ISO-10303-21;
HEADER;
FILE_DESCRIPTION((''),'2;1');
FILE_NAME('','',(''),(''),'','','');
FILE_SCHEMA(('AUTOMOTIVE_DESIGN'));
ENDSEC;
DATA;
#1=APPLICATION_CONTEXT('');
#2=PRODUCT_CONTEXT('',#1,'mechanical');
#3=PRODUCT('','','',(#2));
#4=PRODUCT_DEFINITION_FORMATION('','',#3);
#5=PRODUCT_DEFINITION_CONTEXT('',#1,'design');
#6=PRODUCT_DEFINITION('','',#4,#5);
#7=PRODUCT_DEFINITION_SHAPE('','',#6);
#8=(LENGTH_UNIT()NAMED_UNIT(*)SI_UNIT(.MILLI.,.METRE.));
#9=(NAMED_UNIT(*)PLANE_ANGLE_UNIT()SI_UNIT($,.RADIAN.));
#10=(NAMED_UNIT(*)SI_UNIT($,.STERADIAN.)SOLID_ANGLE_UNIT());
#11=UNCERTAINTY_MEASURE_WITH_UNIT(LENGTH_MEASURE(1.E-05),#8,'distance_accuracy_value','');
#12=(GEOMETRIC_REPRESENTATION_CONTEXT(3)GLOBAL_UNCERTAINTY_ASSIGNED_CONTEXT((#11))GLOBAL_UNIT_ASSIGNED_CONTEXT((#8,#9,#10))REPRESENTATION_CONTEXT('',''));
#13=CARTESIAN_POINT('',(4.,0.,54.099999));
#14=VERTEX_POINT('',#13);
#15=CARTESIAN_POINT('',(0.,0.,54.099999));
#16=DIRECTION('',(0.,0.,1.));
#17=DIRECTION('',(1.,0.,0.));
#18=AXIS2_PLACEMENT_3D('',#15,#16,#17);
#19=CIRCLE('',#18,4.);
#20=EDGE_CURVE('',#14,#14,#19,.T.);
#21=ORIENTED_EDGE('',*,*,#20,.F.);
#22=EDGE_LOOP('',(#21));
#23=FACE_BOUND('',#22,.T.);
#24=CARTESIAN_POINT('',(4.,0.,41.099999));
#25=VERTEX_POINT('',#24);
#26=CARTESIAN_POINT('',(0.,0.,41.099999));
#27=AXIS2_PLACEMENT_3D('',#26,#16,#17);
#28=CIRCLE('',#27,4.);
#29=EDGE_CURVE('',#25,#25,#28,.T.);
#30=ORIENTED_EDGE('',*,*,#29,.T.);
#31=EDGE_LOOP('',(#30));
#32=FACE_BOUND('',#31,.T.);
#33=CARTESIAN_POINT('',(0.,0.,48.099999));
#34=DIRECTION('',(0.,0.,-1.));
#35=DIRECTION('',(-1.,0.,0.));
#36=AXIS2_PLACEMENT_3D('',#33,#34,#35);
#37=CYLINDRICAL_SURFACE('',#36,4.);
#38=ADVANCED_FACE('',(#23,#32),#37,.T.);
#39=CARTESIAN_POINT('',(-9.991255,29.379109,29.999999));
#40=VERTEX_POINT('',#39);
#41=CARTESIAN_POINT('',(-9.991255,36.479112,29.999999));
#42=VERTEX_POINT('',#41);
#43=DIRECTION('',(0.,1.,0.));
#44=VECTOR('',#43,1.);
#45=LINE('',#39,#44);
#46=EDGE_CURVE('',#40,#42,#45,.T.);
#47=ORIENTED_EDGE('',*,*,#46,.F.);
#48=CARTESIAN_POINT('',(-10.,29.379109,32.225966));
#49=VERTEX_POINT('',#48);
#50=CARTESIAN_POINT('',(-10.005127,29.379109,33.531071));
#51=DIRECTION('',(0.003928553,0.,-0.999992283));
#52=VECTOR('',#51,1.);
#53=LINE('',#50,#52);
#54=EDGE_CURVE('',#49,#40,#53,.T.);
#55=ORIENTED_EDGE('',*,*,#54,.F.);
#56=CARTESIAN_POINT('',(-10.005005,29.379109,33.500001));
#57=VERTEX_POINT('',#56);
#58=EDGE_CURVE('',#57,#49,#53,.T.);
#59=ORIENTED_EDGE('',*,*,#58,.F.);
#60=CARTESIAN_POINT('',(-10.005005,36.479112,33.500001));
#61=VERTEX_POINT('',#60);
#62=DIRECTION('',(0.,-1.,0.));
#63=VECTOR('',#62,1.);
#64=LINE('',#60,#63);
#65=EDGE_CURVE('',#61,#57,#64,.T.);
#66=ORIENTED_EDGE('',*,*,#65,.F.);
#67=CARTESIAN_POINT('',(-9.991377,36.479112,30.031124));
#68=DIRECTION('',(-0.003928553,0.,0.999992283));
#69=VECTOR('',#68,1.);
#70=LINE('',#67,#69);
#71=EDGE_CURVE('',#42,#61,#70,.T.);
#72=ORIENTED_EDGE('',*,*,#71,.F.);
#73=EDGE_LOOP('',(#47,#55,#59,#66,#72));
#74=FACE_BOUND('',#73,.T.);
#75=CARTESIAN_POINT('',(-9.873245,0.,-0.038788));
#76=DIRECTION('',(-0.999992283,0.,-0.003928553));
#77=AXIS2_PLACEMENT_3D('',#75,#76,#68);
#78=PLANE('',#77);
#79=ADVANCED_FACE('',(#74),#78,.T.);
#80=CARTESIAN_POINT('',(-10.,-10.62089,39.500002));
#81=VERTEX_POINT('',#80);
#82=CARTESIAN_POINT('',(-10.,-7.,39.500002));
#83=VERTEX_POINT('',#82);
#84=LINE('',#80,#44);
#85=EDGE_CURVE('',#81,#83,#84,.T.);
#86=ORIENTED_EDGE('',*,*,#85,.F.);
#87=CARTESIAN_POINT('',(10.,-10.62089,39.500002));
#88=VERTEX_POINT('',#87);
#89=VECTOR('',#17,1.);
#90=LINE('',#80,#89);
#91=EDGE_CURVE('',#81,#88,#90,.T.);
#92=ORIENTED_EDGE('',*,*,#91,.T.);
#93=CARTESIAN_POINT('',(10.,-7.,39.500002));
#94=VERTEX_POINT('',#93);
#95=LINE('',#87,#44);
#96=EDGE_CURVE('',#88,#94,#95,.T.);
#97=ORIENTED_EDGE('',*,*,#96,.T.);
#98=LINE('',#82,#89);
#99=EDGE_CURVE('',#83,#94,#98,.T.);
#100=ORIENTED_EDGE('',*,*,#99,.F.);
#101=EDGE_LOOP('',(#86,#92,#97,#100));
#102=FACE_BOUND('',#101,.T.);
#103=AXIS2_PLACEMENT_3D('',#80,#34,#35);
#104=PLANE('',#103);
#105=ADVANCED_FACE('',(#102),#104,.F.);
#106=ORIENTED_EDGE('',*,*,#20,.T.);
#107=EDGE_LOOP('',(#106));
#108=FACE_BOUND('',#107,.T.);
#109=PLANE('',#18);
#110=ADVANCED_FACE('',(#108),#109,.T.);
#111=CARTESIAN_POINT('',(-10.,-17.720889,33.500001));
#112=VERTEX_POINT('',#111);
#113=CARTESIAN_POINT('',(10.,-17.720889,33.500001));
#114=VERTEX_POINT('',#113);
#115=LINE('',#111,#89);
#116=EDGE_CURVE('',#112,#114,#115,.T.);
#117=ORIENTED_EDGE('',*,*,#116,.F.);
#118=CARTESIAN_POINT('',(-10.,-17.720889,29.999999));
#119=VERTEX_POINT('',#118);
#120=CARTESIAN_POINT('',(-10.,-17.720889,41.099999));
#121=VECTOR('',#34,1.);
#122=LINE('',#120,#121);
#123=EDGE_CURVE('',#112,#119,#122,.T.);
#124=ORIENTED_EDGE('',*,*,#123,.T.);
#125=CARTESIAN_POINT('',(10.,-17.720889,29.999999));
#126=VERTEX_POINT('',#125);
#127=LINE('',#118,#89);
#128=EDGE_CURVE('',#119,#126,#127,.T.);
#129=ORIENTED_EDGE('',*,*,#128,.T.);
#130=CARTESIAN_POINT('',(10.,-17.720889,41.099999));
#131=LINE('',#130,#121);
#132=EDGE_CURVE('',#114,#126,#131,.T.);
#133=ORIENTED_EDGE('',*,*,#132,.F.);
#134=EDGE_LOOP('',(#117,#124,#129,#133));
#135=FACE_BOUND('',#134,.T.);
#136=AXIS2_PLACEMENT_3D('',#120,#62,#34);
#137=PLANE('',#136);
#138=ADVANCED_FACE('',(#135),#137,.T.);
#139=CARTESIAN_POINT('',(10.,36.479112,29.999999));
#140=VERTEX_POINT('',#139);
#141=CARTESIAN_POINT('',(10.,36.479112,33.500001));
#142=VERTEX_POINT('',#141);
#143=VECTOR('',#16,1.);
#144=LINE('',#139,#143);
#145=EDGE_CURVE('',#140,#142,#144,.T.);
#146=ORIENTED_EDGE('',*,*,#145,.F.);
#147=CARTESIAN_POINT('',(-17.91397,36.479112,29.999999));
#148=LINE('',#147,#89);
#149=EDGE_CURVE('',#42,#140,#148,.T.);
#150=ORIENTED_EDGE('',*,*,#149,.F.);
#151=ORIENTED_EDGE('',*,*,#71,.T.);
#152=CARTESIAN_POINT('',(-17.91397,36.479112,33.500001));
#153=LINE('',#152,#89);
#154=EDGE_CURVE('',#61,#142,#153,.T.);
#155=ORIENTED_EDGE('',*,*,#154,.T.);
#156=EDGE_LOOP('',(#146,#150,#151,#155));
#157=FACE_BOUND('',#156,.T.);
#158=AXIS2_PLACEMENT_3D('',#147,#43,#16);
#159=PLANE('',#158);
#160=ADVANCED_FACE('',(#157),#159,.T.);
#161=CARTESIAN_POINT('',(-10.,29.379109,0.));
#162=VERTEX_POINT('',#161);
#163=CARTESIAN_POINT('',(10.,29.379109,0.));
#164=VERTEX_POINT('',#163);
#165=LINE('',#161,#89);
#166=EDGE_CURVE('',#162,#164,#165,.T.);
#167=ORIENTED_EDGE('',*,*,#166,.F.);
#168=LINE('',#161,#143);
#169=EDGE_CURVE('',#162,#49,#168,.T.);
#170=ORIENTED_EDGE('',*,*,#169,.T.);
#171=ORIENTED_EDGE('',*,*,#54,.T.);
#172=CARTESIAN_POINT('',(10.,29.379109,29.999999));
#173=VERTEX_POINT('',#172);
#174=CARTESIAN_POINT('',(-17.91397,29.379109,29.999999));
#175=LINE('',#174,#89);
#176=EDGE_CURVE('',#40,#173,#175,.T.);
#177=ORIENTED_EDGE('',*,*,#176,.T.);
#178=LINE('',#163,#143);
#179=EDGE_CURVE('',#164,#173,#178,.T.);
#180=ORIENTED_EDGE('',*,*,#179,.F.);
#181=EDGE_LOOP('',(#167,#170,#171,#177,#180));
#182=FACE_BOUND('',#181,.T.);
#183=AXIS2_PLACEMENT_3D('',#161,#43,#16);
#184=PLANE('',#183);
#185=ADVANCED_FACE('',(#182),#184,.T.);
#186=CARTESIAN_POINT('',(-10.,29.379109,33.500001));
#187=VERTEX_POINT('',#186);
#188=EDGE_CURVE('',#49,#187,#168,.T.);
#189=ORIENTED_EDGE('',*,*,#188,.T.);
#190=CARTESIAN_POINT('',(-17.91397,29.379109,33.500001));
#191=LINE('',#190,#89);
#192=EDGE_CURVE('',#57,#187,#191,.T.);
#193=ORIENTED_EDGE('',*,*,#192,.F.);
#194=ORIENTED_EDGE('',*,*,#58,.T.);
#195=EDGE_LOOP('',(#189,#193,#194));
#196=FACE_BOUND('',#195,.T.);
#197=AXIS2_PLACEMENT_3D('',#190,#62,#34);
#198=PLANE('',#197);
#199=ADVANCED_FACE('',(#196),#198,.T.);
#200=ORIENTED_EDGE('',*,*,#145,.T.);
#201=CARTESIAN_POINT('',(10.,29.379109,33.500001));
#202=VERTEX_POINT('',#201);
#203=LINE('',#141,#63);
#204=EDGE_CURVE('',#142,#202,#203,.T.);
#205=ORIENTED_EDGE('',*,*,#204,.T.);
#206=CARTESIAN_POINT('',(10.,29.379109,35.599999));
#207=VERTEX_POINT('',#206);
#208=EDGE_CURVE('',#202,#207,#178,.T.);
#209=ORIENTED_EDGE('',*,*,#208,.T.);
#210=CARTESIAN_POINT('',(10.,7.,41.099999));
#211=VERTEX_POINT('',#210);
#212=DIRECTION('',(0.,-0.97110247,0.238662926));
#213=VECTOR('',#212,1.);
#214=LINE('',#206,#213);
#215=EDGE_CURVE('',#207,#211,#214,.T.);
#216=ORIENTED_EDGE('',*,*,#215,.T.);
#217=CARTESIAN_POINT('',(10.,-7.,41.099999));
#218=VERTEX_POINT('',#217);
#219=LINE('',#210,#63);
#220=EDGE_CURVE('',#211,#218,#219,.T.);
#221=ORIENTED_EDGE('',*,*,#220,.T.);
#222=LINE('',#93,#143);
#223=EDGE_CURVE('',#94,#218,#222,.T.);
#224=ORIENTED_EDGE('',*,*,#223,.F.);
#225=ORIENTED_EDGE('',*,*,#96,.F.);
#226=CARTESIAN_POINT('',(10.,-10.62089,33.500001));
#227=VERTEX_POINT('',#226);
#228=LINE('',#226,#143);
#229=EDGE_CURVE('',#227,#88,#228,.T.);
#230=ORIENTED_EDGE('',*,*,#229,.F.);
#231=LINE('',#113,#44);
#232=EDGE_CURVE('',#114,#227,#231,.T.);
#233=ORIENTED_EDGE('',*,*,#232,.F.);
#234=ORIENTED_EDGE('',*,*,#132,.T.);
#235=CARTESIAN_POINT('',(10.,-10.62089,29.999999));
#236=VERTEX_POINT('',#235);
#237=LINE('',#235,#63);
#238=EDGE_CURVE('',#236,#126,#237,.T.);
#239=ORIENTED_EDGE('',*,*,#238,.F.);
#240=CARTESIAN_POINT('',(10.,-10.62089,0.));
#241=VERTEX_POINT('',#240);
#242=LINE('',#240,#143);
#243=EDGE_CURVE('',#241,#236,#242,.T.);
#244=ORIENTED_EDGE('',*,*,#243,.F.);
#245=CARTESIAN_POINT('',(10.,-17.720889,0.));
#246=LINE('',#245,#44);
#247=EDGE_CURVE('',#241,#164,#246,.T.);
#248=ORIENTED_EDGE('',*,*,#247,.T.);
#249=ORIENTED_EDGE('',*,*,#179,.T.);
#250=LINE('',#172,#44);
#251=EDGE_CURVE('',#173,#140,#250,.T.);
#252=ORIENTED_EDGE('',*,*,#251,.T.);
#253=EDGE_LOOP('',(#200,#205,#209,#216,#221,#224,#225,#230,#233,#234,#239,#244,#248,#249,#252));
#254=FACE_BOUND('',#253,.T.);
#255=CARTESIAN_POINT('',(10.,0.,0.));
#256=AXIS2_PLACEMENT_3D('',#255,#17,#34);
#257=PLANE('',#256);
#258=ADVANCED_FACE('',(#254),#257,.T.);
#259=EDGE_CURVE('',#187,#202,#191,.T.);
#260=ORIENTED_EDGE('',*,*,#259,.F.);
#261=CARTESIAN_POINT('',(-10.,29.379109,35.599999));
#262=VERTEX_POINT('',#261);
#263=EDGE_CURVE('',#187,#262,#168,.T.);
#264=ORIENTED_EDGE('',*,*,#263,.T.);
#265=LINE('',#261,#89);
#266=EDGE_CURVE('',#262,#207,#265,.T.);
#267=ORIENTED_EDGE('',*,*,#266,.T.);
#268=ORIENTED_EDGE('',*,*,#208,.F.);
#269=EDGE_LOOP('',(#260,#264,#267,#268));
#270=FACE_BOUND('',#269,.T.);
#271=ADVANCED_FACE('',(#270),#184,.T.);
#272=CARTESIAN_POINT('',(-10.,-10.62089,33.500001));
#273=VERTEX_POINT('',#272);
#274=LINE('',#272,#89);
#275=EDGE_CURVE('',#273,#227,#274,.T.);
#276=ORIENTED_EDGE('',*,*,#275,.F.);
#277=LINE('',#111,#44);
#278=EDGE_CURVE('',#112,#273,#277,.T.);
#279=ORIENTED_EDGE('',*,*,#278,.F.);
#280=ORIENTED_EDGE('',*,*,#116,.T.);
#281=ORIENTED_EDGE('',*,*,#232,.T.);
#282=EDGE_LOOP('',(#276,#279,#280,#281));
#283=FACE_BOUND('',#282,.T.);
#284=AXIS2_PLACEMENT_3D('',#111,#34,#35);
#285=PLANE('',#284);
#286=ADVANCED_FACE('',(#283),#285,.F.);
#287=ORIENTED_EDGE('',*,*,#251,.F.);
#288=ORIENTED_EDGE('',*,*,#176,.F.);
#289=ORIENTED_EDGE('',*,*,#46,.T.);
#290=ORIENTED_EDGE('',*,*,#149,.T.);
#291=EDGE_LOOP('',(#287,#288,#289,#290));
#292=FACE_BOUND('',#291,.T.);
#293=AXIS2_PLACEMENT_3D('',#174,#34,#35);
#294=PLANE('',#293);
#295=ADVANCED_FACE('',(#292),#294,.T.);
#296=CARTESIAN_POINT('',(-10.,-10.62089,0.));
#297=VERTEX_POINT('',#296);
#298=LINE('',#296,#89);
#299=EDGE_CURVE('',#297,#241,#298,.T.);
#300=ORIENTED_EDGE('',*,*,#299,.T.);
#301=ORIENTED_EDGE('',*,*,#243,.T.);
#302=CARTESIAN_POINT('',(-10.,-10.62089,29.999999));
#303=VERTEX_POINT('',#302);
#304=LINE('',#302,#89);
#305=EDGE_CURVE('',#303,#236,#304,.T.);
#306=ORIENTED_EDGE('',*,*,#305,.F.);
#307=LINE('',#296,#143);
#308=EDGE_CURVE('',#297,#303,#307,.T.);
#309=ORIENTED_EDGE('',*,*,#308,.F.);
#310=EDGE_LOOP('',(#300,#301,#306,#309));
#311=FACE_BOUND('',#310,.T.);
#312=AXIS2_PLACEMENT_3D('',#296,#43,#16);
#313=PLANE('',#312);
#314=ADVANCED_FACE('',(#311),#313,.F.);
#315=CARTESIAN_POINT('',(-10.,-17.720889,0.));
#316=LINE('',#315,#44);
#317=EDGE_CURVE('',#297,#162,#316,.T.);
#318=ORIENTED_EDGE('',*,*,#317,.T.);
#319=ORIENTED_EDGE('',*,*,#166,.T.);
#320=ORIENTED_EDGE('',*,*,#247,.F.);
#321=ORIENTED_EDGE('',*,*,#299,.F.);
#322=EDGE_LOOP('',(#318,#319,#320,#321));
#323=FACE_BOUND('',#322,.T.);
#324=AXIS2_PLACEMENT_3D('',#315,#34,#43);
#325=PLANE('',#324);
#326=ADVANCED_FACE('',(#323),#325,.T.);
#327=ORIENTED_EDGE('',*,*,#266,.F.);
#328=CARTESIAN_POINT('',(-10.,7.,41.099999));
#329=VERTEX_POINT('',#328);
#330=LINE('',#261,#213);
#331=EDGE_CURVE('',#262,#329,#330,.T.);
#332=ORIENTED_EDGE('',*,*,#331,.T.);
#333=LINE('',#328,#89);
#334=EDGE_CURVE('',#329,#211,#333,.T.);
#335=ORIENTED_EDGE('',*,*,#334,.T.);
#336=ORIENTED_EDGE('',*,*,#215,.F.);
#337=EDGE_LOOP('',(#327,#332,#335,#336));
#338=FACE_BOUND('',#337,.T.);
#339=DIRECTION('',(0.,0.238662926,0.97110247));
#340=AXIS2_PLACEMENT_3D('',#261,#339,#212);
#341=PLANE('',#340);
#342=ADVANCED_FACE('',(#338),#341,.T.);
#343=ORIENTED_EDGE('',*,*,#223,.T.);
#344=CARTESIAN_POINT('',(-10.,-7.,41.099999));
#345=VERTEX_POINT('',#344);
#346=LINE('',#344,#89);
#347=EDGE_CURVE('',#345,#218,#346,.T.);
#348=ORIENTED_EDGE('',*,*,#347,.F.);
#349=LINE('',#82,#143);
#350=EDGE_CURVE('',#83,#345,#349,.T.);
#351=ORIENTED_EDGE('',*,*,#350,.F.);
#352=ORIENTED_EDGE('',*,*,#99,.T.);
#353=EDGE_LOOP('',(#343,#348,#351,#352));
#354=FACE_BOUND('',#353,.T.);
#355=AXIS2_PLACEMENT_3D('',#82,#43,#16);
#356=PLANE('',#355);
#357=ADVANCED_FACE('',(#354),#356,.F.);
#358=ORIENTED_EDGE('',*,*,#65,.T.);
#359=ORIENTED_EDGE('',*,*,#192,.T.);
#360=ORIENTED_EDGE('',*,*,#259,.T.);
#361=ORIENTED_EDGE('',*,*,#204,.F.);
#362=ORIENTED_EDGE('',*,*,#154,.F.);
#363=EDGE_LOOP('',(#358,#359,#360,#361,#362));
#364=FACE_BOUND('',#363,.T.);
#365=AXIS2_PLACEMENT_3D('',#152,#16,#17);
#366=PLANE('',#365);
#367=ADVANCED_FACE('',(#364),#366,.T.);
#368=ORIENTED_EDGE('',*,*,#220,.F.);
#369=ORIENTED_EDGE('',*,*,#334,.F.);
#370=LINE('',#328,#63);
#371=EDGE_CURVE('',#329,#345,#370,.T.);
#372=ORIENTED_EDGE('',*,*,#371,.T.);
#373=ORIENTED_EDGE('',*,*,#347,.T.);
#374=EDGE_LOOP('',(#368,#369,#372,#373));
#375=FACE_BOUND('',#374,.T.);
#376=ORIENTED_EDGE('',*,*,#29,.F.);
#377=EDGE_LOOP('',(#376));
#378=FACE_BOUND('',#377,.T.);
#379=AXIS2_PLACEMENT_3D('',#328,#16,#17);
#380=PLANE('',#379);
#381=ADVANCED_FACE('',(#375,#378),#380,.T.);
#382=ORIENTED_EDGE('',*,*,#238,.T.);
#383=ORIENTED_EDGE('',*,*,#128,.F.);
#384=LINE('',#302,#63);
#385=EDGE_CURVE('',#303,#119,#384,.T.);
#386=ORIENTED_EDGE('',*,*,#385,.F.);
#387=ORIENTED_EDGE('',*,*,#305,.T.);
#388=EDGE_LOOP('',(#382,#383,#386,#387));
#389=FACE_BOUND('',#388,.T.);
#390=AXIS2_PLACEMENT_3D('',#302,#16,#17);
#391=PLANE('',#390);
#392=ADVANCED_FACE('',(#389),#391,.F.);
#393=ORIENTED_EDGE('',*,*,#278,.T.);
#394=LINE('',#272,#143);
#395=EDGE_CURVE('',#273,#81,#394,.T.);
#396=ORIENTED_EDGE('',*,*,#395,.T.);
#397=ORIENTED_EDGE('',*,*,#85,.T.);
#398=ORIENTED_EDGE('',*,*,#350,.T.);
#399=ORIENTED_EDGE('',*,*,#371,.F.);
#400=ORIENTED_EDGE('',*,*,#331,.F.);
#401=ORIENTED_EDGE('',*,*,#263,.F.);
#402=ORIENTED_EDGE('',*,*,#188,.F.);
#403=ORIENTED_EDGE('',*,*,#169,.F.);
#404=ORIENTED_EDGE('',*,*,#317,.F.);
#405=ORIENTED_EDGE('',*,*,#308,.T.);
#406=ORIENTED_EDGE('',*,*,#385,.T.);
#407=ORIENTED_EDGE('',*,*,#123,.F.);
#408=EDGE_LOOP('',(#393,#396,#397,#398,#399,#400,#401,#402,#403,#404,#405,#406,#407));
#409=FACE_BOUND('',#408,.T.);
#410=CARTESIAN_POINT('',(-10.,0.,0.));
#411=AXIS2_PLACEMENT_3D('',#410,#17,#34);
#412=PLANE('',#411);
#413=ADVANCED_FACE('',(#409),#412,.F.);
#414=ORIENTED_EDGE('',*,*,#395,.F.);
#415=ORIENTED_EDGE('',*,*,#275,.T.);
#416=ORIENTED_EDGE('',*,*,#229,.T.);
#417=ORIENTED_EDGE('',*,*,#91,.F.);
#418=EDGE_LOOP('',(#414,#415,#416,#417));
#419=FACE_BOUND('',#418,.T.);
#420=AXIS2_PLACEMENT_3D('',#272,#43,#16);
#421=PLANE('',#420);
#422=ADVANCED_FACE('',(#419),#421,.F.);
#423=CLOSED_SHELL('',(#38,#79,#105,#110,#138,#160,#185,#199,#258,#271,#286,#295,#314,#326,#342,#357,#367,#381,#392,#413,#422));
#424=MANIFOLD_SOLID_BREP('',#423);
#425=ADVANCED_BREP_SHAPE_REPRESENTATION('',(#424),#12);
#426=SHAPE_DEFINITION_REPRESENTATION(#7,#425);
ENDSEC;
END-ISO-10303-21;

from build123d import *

# Parameters (mm, degrees)
BOSS_EXTRUDE1_DEPTH = 19.999999553
SKETCH2_W           = 29.999999329
SKETCH2_H           = 7.099999115
CUT_EXTRUDE1_DEPTH  = 55.335457568
SKETCH3_W           = 7.599998266
SKETCH3_H           = 7.099999115
CUT_EXTRUDE2_DEPTH  = 55.335457568
SKETCH4_W           = 1.599997282
SKETCH4_H           = 3.620889969
CUT_EXTRUDE3_DEPTH  = 55.335457568
BOSS_EXTRUDE2_REACH = 56.335
SKETCH6_W           = 3.500001505
SKETCH6_H           = 7.10000284
SKETCH7_R           = 4
BOSS_EXTRUDE3_DEPTH = 7
MOVE_FACE2_BY       = 6


with BuildPart() as part:
    # Sketch1 → Boss-Extrude1 (new body)
    with BuildSketch(Plane(origin=(10, 0, 0), x_dir=(0, 0, -1), z_dir=(1, 0, 0))):
        Polygon((0, 29.379108921), (-35.59999913, 29.379108921), (-41.0999991, 7.000000216), (-41.0999991, -17.7208893), (0, -17.7208893), align=None)
    extrude(amount=-BOSS_EXTRUDE1_DEPTH)

    # Sketch2 → Cut-Extrude1 (cut, through all)
    with BuildSketch(Plane(origin=(10, 0, 0), x_dir=(0, 0, -1), z_dir=(1, 0, 0))):
        with Locations((-14.999999665, -14.170889742)):
            Rectangle(SKETCH2_W, SKETCH2_H)
    extrude(amount=-CUT_EXTRUDE1_DEPTH, mode=Mode.SUBTRACT)

    # Sketch3 → Cut-Extrude2 (cut, through all)
    with BuildSketch(Plane(origin=(10, 0, 0), x_dir=(0, 0, -1), z_dir=(1, 0, 0))):
        with Locations((-37.299999967, -14.170889742)):
            Rectangle(SKETCH3_W, SKETCH3_H)
    extrude(amount=-CUT_EXTRUDE2_DEPTH, mode=Mode.SUBTRACT)

    # Sketch4 → Cut-Extrude3 (cut, through all)
    with BuildSketch(Plane(origin=(10, 0, 0), x_dir=(0, 0, -1), z_dir=(1, 0, 0))):
        with Locations((-40.300000459, -8.810445201)):
            Rectangle(SKETCH4_W, SKETCH4_H)
    extrude(amount=-CUT_EXTRUDE3_DEPTH, mode=Mode.SUBTRACT)

    # Boss-Extrude2: up to this plane
    boss_extrude2_end = Plane(origin=(-9.873244788, 0, -0.038787862), z_dir=(-0.9999922832070416, 0, -0.003928552706520363))
    # Sketch6 → Boss-Extrude2 (add, up to the surface)
    with BuildSketch(Plane(origin=(10, 0, 0), x_dir=(0, 0, -1), z_dir=(1, 0, 0)), mode=Mode.PRIVATE) as boss_extrude2_sk1:
        with Locations((-31.750000082, 32.929110341)):
            Rectangle(SKETCH6_W, SKETCH6_H)
    boss_extrude2_tool1 = split(extrude(boss_extrude2_sk1.sketch, amount=-BOSS_EXTRUDE2_REACH, mode=Mode.PRIVATE), bisect_by=boss_extrude2_end, keep=Keep.BOTH, mode=Mode.PRIVATE)
    add(boss_extrude2_tool1.solids().sort_by_distance((10, 32.92911, 31.75))[0])

    # Sketch7 → Boss-Extrude3 (add)
    with BuildSketch(Plane.XY.offset(41.0999991)):
        Circle(SKETCH7_R)
    extrude(amount=BOSS_EXTRUDE3_DEPTH)

    # Move Face2: a face moved outward by 6.0
    extrude(part.faces().sort_by_distance((0, 0, 48.0999991))[0], amount=MOVE_FACE2_BY, dir=(0, 0, 1))


solid = part.part
